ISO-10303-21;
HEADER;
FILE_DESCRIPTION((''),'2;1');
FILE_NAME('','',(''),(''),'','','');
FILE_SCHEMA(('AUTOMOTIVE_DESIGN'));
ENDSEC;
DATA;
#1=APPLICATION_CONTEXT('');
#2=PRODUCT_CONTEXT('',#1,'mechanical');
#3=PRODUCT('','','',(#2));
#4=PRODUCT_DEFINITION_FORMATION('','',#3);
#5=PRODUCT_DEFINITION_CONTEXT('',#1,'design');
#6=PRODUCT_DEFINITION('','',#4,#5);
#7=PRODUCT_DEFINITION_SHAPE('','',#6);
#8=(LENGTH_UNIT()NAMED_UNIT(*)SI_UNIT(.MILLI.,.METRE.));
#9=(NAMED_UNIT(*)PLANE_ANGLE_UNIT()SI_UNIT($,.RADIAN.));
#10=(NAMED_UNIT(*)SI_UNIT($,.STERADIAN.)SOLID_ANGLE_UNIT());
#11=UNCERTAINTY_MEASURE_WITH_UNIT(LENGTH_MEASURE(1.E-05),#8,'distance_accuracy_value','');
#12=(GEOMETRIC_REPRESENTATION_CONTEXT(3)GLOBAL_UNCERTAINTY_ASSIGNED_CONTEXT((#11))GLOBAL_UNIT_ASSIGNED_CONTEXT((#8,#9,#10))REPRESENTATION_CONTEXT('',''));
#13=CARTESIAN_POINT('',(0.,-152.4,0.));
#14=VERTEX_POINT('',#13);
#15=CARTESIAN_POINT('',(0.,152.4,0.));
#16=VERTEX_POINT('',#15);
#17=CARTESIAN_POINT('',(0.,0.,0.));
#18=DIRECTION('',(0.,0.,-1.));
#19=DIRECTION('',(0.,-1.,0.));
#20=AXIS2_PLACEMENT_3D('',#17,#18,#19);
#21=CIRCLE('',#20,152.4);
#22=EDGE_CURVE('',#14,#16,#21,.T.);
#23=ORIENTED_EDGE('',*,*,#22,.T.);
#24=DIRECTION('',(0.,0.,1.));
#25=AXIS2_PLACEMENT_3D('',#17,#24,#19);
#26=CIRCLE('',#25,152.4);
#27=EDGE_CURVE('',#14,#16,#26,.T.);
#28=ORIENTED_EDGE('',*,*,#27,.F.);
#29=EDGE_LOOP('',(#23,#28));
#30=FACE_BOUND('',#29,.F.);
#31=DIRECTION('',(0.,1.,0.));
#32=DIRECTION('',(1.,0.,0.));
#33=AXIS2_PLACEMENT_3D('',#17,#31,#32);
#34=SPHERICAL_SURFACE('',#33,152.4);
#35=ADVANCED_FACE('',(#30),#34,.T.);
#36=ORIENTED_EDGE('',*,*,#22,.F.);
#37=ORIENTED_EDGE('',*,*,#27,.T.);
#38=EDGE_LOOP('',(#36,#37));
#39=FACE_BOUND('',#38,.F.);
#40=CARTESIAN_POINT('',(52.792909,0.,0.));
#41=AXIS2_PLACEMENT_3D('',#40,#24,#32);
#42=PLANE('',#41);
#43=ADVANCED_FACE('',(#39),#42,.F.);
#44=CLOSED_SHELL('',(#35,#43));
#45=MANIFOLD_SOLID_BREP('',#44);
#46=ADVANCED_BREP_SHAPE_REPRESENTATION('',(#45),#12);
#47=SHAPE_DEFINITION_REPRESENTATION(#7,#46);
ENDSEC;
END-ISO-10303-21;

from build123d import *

# Parameters (mm, degrees)
F1_ANGLE = -180


with BuildPart() as f1:
    # F0 (on Top) → F1 (revolve)
    with BuildSketch(Plane.XY):
        with BuildLine():
            Line((0, 152.4), (0, -152.4))
            ThreePointArc((0, -152.4), (152.4, 0), (0, 152.4))
        make_face()
    revolve(axis=Axis((0, 0, 0), (0, 1, 0)), revolution_arc=F1_ANGLE)


solid = f1.part
